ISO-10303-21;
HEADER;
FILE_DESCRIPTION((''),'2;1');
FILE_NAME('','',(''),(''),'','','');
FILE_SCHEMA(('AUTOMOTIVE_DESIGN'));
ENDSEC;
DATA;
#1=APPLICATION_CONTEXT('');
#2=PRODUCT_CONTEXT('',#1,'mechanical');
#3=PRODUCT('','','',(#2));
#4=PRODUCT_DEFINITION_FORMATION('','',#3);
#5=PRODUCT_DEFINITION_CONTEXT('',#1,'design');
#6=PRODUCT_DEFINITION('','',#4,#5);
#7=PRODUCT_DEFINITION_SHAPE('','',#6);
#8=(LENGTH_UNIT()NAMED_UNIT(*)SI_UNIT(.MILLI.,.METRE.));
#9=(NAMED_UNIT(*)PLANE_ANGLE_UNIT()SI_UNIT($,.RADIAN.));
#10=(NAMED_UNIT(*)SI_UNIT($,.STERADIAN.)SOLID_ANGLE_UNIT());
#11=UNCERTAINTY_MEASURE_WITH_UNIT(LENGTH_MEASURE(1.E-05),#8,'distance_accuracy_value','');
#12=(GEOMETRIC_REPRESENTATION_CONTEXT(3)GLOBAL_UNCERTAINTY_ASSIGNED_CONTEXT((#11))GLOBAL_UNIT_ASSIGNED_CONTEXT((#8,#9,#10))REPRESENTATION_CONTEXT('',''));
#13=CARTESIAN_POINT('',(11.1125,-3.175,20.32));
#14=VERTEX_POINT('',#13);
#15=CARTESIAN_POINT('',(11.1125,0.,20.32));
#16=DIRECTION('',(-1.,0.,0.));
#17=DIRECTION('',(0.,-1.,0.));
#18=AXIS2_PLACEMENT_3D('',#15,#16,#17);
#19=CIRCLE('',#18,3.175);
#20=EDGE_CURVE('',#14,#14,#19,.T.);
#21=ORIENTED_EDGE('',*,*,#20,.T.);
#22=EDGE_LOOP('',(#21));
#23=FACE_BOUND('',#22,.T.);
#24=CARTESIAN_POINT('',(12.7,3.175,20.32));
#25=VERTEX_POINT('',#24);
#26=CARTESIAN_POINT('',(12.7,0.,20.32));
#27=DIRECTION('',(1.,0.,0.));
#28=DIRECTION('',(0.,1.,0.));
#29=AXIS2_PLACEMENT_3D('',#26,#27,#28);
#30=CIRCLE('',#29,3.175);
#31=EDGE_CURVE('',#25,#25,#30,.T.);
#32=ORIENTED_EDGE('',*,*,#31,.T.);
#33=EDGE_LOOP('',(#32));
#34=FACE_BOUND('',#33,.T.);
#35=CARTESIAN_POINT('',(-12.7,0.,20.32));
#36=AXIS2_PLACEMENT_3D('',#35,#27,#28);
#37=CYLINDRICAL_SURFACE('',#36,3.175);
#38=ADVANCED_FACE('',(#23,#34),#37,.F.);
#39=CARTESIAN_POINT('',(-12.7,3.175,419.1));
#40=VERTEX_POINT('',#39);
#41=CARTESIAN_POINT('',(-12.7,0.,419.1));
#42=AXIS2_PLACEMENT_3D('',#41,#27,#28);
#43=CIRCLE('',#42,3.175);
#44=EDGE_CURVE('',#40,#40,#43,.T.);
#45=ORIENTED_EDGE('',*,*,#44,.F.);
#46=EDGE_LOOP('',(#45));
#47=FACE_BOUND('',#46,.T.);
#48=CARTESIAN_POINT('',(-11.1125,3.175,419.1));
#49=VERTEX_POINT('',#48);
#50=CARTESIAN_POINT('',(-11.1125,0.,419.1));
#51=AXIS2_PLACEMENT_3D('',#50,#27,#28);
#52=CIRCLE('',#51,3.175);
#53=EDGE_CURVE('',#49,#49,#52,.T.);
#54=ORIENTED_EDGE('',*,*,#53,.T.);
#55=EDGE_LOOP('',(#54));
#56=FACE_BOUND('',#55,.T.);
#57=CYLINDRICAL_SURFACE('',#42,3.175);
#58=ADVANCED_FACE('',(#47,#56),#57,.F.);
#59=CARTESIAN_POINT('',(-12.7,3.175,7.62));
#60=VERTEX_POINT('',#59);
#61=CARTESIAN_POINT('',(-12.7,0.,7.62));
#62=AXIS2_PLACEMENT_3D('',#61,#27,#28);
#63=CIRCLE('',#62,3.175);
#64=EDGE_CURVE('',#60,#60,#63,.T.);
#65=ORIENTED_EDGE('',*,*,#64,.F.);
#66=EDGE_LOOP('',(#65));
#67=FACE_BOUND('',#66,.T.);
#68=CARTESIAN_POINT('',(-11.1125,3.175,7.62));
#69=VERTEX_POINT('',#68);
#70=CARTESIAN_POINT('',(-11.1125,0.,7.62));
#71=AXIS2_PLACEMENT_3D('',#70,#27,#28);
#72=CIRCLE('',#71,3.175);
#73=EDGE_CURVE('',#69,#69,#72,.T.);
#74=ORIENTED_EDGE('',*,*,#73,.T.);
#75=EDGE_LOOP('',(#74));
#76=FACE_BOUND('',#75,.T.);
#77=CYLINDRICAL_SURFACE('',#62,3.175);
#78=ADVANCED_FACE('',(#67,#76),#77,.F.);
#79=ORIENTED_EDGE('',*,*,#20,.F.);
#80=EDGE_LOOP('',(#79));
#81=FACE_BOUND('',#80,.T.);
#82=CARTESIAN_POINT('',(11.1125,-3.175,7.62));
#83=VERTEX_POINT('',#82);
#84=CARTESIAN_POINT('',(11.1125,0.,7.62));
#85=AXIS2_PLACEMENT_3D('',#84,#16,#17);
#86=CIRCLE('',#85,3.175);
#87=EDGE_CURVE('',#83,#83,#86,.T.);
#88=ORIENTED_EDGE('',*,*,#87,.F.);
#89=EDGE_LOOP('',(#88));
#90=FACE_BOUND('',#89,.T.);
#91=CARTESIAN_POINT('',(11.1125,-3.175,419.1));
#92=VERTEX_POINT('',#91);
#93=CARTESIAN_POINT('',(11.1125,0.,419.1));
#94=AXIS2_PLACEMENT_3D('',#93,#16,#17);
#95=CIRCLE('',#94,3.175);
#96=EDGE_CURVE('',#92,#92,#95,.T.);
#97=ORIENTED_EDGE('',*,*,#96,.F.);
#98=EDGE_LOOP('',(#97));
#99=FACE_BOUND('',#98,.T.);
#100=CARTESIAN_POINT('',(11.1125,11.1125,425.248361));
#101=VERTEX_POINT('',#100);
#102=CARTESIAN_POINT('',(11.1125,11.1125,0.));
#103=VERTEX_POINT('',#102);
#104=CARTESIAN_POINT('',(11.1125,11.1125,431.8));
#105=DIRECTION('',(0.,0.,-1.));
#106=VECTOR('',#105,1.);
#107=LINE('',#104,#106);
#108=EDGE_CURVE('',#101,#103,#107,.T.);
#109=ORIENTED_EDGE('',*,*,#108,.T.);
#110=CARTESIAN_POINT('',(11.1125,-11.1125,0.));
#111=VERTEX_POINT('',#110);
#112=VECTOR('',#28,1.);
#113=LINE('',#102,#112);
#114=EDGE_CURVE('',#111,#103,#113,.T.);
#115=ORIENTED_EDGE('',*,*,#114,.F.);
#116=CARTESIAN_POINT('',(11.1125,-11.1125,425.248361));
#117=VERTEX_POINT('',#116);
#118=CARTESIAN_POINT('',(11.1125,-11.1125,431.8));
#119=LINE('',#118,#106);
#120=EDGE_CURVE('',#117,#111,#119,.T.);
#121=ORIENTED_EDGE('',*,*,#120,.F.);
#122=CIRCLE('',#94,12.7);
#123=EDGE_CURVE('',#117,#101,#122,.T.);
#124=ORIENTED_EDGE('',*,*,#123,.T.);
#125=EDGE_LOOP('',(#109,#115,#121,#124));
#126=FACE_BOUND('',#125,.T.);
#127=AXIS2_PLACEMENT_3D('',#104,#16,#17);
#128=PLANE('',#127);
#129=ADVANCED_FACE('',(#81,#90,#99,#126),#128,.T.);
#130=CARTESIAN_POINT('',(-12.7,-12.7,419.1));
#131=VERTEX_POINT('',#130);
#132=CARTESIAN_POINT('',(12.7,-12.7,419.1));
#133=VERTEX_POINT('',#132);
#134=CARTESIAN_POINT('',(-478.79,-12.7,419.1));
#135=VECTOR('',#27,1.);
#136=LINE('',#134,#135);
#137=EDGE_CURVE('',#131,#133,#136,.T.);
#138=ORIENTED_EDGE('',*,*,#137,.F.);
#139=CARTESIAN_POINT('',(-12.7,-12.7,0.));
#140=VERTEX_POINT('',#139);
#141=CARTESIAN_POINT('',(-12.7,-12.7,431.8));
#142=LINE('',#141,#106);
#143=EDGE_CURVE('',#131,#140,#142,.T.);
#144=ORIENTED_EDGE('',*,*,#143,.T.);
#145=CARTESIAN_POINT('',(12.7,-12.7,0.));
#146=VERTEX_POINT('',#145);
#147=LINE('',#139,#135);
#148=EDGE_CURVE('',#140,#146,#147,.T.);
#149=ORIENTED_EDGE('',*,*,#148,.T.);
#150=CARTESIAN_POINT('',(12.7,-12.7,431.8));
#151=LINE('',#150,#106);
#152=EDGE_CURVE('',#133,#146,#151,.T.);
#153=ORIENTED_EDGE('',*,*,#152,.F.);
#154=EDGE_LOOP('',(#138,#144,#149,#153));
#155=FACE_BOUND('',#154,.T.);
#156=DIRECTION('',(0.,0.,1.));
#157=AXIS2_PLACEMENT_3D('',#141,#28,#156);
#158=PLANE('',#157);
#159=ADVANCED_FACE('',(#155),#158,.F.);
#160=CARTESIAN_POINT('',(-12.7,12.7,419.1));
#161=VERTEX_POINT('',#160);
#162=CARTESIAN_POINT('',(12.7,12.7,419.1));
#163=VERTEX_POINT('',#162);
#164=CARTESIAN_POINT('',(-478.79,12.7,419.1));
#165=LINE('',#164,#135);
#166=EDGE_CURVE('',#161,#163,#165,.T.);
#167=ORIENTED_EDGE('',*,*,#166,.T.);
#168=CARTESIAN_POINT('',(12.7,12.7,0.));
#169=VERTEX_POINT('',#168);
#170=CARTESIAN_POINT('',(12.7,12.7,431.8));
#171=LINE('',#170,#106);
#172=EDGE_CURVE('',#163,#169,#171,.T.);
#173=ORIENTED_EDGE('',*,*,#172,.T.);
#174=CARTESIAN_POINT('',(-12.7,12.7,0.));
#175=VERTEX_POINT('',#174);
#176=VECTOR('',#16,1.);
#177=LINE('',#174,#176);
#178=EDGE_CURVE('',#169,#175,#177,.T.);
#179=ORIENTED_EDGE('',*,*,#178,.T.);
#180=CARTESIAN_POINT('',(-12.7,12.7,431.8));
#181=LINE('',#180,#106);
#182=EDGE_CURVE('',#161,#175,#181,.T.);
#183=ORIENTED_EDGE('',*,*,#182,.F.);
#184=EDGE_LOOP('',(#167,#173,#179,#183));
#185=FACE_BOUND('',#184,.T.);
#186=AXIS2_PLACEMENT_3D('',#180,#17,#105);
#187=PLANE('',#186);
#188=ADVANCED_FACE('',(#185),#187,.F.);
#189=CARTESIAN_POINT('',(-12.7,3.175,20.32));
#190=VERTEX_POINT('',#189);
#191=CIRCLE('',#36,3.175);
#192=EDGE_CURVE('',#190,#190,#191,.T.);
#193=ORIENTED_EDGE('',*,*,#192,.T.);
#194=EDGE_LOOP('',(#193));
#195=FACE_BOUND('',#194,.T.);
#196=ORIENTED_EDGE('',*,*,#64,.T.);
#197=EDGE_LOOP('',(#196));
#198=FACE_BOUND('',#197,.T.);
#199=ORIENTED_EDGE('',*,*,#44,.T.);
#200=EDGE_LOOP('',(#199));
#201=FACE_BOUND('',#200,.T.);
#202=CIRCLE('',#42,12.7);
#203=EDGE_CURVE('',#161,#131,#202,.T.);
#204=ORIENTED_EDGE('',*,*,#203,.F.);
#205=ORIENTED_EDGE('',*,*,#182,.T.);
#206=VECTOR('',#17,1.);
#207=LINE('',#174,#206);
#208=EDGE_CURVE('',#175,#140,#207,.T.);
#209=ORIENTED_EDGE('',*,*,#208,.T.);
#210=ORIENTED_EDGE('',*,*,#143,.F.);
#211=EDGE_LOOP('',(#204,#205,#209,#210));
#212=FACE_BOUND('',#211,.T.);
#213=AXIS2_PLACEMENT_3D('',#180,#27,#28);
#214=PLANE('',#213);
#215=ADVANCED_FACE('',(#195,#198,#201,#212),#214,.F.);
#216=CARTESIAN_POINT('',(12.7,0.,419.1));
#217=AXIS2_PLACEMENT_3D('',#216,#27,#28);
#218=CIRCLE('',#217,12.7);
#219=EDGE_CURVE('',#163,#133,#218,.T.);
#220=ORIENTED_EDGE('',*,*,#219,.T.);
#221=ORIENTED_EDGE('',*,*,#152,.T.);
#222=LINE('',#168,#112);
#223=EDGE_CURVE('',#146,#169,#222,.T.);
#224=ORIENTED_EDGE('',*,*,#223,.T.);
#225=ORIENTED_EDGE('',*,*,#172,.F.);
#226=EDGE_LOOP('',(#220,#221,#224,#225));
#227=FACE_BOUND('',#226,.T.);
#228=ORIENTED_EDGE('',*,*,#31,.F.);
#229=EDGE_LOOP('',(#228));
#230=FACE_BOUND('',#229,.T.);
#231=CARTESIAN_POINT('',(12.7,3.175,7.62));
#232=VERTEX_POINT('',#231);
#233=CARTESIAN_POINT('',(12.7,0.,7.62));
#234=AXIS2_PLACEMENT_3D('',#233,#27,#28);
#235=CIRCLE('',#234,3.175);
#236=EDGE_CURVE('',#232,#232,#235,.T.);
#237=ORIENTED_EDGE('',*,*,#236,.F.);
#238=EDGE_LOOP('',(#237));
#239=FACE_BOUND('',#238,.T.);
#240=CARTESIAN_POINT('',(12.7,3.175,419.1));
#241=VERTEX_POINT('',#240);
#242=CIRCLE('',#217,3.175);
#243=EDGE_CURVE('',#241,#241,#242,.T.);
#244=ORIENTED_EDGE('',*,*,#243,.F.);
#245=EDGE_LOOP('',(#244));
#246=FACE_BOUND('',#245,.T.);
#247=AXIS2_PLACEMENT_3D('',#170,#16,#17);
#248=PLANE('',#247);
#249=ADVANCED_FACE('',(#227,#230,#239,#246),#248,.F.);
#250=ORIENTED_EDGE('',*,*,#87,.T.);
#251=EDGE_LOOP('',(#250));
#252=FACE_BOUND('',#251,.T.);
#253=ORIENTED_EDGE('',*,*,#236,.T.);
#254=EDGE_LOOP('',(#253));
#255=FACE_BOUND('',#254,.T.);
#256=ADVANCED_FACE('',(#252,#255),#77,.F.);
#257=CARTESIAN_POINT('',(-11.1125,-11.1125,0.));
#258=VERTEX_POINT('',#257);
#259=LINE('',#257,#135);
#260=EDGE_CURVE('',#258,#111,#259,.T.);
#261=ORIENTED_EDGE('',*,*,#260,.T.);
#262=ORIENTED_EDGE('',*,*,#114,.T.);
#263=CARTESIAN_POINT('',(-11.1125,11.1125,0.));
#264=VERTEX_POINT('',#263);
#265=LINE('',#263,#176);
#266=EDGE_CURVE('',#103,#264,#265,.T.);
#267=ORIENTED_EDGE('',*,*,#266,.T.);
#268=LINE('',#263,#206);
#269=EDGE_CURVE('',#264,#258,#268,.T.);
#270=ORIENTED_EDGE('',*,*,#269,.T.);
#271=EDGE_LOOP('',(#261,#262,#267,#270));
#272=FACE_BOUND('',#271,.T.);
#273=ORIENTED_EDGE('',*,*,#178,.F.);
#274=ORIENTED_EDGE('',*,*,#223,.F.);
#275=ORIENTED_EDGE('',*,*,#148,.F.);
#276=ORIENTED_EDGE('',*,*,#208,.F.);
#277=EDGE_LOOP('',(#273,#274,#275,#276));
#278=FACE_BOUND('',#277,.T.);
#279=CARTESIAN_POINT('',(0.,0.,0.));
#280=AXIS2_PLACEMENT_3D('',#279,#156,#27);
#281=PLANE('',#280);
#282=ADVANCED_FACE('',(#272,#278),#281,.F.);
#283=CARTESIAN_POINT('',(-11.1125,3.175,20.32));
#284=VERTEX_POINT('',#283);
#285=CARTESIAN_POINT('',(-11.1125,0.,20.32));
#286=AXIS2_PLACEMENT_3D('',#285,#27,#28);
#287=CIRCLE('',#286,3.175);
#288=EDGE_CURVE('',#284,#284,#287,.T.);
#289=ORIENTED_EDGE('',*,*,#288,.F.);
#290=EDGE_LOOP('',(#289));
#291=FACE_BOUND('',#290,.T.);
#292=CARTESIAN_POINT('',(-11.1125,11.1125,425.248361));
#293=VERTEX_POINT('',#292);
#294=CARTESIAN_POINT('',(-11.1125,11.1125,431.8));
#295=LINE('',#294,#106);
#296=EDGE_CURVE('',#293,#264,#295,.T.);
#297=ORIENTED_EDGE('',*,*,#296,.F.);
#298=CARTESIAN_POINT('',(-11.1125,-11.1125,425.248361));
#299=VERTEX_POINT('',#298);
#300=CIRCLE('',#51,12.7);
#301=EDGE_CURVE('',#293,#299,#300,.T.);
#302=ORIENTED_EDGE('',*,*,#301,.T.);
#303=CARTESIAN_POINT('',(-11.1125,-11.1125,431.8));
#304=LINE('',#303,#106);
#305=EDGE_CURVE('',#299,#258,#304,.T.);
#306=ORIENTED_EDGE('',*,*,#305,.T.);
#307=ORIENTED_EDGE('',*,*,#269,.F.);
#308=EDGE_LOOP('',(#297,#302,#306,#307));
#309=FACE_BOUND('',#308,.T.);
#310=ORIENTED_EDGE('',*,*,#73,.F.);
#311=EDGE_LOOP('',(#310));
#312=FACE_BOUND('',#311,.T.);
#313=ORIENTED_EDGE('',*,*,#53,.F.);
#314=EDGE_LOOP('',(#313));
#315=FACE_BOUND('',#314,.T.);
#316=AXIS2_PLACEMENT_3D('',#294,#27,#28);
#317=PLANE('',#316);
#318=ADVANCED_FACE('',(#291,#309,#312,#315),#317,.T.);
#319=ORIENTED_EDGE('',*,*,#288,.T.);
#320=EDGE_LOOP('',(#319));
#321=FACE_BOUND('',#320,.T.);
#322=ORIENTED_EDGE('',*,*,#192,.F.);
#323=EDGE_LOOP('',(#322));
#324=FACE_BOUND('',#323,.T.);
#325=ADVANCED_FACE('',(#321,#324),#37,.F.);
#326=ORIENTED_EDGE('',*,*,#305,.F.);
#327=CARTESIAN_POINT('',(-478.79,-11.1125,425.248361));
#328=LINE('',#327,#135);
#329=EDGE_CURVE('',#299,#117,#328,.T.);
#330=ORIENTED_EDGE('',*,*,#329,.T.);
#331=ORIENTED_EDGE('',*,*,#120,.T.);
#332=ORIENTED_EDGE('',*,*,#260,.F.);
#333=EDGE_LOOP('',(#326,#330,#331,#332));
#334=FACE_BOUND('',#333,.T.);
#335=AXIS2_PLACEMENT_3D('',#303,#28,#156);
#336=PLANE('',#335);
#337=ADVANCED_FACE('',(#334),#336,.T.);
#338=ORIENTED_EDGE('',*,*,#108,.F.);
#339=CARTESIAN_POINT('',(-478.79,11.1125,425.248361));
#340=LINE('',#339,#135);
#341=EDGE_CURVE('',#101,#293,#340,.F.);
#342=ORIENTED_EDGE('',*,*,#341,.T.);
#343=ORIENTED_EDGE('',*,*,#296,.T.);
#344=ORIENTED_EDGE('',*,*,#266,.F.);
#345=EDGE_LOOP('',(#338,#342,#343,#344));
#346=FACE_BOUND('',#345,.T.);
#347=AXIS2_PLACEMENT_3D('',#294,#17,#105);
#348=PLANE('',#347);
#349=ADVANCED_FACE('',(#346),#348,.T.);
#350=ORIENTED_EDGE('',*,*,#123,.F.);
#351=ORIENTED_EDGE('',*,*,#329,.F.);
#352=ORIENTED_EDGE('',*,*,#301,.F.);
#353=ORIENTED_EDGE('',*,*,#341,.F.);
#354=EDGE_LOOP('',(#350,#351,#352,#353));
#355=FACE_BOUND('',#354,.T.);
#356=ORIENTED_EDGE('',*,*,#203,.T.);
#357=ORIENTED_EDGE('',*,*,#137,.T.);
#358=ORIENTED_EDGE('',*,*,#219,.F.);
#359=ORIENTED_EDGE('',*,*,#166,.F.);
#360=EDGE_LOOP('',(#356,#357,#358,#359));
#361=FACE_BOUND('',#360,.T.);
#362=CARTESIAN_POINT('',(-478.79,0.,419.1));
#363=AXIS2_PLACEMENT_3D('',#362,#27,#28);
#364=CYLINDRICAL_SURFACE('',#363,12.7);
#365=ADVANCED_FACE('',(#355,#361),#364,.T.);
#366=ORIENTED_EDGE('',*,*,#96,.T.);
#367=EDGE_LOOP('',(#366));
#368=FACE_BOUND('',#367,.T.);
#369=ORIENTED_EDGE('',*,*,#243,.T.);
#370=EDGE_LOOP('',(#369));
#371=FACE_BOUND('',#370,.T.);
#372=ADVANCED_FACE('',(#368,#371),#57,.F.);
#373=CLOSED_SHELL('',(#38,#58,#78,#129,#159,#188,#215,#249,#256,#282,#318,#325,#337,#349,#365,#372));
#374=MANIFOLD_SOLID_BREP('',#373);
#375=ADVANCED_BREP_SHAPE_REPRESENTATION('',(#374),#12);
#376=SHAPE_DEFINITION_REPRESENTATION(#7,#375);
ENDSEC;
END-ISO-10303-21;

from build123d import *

# Parameters (mm, degrees)
SKETCH1_W           = 25.4
SKETCH1_H           = 25.4
SKETCH1_W_2         = 22.225
SKETCH1_H_2         = 22.225
BOSS_EXTRUDE1_DEPTH = 431.8
SKETCH2_R           = 3.175
CUT_EXTRUDE1_DEPTH  = 26.4
CUT_EXTRUDE2_DEPTH  = 491.49


with BuildPart() as part:
    # Sketch1 → Boss-Extrude1 (new body)
    with BuildSketch(Plane.XY):
        Rectangle(SKETCH1_W, SKETCH1_H)
        Rectangle(SKETCH1_W_2, SKETCH1_H_2, mode=Mode.SUBTRACT)
    extrude(amount=BOSS_EXTRUDE1_DEPTH)

    # Sketch2 → Cut-Extrude1 (cut, through all)
    with BuildSketch(Plane(origin=(12.7, 0, 0), x_dir=(0, 0, -1), z_dir=(1, 0, 0))):
        with Locations((-419.1, 0)):
            Circle(SKETCH2_R)
        with Locations((-7.62, 0)):
            Circle(SKETCH2_R)
        with Locations((-20.32, 0)):
            Circle(SKETCH2_R)
    extrude(amount=-CUT_EXTRUDE1_DEPTH, mode=Mode.SUBTRACT)

    # Sketch4 → Cut-Extrude2 (cut)
    with BuildSketch(Plane(origin=(12.7, 0, 0), x_dir=(0, 0, -1), z_dir=(1, 0, 0))):
        with BuildLine():
            Line((-419.1, 12.7), (-431.8, 12.7))
            Line((-431.8, 12.7), (-491.49, -12.7))
            Line((-491.49, -12.7), (-419.1, -12.7))
            ThreePointArc((-419.1, -12.7), (-431.8, 0), (-419.1, 12.7))
        make_face()
    extrude(amount=-CUT_EXTRUDE2_DEPTH, mode=Mode.SUBTRACT)


solid = part.part
